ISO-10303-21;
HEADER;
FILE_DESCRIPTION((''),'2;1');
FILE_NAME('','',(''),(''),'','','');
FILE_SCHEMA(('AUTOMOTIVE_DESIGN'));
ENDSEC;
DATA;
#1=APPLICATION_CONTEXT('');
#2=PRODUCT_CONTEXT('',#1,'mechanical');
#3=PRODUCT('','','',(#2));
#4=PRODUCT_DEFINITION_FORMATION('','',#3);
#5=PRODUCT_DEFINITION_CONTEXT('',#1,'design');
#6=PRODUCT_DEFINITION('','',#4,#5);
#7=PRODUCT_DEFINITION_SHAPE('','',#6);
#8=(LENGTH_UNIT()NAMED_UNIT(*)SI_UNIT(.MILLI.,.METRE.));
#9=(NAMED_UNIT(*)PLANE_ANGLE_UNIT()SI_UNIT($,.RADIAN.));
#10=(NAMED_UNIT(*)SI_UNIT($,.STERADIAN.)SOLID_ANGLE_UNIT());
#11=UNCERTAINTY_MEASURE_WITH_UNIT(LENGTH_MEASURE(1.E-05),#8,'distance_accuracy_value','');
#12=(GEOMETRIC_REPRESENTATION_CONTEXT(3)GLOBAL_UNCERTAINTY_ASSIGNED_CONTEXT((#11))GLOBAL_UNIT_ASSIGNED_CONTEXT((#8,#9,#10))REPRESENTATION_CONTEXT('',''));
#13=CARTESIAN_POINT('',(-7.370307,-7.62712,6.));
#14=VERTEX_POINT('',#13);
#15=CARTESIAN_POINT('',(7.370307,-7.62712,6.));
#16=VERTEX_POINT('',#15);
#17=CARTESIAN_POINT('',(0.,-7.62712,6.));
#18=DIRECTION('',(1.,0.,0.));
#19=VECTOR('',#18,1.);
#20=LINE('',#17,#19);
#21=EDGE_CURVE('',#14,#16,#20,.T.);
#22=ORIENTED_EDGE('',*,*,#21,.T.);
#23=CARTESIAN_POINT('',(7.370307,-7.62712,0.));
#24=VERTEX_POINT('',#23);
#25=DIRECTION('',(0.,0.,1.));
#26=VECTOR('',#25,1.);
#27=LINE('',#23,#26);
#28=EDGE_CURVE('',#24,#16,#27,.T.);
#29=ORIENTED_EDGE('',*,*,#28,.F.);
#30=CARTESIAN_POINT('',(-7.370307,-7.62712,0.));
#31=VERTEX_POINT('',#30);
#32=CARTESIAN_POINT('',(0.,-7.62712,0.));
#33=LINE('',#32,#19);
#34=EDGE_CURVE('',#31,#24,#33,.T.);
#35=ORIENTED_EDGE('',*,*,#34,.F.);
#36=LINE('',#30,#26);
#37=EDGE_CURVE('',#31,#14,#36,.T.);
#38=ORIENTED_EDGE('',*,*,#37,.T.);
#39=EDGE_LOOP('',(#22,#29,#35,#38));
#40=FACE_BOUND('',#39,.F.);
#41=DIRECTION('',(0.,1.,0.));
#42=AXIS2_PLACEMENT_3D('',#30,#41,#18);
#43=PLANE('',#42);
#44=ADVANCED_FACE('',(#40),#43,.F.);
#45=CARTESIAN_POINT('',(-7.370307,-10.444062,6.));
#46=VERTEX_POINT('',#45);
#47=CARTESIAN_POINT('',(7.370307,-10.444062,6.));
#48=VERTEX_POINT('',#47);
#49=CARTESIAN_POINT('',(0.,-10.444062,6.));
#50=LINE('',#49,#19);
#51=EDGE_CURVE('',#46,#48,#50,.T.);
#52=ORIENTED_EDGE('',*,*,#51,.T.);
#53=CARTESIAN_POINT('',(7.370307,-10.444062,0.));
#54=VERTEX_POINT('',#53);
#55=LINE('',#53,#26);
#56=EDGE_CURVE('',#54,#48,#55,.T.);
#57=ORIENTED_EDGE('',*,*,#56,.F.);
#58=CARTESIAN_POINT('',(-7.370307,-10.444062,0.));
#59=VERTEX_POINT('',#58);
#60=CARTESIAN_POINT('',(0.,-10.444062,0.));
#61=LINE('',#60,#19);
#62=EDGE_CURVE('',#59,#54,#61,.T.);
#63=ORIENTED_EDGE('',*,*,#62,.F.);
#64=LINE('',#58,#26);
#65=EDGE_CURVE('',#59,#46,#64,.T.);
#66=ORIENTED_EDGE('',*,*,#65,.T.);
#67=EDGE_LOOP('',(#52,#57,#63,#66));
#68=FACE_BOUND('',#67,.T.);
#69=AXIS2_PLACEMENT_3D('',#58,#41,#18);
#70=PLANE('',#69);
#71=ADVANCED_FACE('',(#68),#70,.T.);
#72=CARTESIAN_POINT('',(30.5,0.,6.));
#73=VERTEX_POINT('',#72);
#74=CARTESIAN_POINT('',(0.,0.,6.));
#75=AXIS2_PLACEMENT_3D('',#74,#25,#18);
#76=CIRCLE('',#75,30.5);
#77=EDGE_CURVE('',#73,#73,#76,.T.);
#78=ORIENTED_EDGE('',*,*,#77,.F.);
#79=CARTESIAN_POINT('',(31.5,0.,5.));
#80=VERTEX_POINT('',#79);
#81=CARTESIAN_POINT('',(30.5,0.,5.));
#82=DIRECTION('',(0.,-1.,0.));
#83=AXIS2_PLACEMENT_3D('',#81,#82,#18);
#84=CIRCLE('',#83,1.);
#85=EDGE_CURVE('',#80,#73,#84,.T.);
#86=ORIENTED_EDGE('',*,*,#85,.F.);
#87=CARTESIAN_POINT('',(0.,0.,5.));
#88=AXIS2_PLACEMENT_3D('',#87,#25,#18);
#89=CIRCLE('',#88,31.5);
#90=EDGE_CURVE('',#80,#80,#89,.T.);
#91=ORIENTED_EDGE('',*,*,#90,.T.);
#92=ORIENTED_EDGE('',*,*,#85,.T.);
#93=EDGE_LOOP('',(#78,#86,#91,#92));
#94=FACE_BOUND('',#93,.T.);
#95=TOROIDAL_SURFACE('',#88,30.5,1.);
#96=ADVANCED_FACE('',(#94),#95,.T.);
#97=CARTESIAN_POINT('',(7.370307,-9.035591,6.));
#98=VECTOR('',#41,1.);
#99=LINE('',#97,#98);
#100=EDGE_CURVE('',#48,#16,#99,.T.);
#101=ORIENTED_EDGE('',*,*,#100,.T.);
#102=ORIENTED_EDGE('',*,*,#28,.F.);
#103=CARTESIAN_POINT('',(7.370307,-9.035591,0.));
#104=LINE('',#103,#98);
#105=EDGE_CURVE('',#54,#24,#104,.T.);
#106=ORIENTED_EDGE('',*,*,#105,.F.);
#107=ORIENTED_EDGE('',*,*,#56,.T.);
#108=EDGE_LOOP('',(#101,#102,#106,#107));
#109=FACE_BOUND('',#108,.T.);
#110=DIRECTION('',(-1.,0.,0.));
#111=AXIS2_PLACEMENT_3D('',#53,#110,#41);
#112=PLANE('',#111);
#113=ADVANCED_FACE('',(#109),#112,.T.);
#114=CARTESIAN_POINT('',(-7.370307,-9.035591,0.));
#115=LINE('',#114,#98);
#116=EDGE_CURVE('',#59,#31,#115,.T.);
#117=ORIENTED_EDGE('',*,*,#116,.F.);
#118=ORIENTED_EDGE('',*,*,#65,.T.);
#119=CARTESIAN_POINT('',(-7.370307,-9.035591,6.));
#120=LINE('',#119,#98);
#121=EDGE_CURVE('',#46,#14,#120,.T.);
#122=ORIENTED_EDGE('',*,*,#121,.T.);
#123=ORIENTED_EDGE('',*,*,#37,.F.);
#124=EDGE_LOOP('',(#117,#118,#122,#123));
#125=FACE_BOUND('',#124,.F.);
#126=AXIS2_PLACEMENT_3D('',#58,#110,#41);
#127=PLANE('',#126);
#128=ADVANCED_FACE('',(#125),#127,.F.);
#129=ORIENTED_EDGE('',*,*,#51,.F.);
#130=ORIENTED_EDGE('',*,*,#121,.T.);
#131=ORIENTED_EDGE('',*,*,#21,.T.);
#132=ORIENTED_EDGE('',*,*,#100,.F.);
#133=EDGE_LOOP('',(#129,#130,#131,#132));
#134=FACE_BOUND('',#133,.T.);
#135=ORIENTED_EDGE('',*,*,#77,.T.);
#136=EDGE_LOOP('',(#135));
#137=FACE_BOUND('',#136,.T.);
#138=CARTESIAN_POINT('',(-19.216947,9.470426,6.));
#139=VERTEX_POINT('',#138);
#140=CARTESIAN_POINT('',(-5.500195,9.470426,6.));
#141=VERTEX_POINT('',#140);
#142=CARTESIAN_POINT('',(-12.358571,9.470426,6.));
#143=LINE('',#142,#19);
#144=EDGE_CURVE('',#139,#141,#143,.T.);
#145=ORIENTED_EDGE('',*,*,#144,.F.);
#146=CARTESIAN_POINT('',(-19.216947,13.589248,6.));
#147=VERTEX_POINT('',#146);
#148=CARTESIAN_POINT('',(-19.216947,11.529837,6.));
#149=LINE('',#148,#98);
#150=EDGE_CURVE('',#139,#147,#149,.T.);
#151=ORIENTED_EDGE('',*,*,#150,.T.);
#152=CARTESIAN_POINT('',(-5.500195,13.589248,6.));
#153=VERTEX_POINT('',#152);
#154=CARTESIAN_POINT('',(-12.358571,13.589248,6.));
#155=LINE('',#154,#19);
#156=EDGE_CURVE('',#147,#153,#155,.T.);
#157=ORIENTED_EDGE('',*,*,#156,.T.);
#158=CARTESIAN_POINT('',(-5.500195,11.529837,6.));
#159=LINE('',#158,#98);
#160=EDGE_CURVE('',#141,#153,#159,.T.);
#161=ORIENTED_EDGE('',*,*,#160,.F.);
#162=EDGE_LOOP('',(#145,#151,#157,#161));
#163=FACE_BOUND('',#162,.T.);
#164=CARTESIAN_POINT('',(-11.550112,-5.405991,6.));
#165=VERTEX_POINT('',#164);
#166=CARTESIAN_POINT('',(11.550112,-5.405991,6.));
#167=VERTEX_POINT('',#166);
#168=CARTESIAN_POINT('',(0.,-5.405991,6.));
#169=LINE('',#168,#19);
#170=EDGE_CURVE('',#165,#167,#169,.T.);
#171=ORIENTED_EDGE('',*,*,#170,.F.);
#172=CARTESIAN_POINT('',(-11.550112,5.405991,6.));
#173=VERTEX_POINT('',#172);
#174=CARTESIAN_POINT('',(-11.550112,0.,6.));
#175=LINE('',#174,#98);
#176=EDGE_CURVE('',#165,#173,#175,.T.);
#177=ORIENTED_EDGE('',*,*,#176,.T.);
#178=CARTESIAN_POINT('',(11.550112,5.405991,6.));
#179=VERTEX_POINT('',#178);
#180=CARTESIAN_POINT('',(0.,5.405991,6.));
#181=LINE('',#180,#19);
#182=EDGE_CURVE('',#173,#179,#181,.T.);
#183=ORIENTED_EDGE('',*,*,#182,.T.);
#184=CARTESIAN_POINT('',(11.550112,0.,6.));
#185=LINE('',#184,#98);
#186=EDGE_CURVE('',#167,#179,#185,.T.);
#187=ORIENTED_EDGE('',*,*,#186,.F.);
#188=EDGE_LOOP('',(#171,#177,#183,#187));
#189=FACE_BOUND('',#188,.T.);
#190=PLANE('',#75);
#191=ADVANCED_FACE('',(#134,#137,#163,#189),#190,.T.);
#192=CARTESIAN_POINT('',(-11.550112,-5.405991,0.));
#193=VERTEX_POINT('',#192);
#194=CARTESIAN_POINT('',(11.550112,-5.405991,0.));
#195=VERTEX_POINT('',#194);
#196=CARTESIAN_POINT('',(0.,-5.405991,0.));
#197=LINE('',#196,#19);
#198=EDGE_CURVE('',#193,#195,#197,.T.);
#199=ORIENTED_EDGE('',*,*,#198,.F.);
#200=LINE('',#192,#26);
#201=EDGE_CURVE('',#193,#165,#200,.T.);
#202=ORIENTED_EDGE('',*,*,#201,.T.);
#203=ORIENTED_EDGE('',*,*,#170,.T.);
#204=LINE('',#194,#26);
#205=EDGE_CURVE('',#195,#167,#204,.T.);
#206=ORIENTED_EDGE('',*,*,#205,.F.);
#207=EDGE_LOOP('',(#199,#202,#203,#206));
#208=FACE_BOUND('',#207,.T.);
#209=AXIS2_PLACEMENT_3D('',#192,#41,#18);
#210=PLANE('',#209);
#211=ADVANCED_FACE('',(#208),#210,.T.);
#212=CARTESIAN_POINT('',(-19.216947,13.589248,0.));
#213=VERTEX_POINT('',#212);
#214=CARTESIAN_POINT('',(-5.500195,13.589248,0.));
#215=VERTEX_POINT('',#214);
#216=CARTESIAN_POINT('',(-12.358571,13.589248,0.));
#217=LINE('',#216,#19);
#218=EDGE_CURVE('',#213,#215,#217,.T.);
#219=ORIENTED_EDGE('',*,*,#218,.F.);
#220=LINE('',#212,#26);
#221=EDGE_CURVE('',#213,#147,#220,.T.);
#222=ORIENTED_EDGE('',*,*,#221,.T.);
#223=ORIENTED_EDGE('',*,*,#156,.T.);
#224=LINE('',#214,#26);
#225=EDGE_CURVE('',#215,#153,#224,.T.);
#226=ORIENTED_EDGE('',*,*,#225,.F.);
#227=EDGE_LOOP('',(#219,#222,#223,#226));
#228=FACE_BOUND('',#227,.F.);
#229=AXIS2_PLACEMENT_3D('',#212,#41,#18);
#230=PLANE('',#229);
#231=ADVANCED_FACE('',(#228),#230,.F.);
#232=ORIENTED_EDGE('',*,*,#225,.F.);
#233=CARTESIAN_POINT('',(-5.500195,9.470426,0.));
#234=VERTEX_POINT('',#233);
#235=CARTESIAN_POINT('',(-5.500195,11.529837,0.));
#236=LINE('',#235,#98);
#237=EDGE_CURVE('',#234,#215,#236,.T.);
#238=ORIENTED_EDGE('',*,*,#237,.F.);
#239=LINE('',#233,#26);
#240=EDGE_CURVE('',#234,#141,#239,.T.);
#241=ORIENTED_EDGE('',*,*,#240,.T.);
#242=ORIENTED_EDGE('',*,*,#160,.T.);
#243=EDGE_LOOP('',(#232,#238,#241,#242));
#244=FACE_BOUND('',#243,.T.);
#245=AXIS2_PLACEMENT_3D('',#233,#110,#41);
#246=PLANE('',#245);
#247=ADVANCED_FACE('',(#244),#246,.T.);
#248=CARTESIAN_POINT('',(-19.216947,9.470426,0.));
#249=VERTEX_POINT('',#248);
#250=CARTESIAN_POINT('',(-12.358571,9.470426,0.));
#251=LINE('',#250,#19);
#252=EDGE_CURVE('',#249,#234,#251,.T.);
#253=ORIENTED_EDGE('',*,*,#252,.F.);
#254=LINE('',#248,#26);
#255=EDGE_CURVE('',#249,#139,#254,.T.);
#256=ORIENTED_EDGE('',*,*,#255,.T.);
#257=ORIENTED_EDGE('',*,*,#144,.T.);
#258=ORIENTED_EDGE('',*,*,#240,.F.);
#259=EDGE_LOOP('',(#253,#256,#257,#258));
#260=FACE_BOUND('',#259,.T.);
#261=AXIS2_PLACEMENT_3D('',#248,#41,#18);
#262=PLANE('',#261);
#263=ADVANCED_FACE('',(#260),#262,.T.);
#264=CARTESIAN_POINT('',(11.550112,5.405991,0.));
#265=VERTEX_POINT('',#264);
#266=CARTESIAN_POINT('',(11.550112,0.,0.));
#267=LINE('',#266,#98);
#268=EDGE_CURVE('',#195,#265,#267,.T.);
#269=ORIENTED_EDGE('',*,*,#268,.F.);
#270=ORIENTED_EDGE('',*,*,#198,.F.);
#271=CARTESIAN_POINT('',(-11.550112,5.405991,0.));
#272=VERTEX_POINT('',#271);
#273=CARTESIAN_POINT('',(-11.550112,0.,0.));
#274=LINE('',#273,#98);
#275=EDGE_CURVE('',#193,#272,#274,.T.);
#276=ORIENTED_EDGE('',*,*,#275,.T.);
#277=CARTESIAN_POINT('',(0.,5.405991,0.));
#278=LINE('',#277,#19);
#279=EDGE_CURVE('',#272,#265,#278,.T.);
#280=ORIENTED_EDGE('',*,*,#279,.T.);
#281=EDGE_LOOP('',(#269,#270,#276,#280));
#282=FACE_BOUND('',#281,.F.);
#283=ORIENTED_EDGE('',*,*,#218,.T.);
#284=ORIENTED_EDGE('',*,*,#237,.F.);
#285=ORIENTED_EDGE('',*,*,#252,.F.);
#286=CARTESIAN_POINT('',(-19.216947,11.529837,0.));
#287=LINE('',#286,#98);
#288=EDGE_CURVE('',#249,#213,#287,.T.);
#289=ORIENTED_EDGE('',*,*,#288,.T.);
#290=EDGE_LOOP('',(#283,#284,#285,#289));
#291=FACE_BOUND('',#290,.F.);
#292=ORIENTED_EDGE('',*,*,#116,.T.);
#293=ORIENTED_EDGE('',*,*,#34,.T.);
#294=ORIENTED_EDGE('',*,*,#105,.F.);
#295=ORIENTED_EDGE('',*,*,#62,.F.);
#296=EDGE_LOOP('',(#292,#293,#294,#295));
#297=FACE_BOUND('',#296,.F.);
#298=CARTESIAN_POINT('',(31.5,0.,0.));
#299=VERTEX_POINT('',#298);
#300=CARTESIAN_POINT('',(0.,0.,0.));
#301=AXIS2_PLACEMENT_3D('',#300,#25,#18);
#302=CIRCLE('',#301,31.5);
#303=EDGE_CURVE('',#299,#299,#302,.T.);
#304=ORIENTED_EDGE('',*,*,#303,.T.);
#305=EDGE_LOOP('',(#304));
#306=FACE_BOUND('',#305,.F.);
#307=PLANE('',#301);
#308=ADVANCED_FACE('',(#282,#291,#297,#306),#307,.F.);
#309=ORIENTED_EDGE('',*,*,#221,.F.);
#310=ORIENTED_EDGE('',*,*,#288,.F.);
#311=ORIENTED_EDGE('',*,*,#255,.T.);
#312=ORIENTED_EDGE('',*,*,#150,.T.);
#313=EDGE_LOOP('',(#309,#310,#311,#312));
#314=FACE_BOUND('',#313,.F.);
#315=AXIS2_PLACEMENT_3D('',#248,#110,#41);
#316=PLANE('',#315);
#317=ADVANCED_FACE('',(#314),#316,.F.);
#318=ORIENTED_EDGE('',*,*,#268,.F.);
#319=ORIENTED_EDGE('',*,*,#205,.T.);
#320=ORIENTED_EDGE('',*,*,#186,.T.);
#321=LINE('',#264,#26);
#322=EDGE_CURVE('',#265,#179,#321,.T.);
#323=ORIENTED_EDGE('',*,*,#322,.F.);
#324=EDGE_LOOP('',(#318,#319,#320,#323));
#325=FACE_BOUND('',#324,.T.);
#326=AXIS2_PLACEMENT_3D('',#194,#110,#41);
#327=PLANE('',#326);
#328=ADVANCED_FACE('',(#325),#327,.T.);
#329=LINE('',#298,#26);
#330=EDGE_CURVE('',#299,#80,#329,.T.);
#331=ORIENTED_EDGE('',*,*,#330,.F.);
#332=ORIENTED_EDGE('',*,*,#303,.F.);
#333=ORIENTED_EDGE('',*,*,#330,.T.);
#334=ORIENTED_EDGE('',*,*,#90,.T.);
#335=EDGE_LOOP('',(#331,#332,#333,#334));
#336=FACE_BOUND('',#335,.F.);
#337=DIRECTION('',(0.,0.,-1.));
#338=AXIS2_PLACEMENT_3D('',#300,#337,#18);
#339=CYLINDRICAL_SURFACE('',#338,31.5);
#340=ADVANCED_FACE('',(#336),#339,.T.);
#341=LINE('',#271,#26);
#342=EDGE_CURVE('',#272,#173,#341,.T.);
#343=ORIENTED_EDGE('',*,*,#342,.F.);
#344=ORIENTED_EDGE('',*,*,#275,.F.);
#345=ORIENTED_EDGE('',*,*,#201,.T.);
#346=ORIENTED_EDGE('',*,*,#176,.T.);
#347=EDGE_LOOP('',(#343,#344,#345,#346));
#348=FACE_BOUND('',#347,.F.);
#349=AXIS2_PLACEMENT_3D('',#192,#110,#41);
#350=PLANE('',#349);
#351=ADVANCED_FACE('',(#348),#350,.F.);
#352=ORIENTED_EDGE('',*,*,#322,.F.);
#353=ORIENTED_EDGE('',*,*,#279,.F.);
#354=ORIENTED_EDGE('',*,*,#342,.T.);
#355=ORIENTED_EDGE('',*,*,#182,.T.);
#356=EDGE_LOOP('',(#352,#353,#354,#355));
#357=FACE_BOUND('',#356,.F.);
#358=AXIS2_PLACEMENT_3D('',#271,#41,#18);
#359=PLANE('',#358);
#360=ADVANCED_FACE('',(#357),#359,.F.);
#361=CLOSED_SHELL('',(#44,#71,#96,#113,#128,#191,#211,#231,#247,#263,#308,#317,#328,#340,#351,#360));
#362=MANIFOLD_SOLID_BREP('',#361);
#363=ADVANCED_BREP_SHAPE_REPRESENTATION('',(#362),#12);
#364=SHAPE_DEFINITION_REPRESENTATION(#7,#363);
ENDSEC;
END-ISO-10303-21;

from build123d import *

# Parameters (mm, degrees)
F0_R     = 31.5
F0_W     = 14.740614
F0_H     = 2.816942
F0_W_2   = 13.716752
F0_H_2   = 4.118822
F0_W_3   = 23.100224
F0_H_3   = 10.811982
F1_DEPTH = 6
F2_R     = 1


with BuildPart() as f1:
    # F0 (on Top) → F1 (new body)
    with BuildSketch(Plane.XY):
        Circle(F0_R)
        with Locations((0, -9.035591)):
            Rectangle(F0_W, F0_H, mode=Mode.SUBTRACT)
        with Locations((-12.358571, 11.529837)):
            Rectangle(F0_W_2, F0_H_2, mode=Mode.SUBTRACT)
        Rectangle(F0_W_3, F0_H_3, mode=Mode.SUBTRACT)
    extrude(amount=F1_DEPTH)

    # F2
    f2_edges = [f1.edges().sort_by_distance(p)[0] for p in [
        (-31.5, 0, 6),
    ]]
    fillet(f2_edges, radius=F2_R)


solid = f1.part
